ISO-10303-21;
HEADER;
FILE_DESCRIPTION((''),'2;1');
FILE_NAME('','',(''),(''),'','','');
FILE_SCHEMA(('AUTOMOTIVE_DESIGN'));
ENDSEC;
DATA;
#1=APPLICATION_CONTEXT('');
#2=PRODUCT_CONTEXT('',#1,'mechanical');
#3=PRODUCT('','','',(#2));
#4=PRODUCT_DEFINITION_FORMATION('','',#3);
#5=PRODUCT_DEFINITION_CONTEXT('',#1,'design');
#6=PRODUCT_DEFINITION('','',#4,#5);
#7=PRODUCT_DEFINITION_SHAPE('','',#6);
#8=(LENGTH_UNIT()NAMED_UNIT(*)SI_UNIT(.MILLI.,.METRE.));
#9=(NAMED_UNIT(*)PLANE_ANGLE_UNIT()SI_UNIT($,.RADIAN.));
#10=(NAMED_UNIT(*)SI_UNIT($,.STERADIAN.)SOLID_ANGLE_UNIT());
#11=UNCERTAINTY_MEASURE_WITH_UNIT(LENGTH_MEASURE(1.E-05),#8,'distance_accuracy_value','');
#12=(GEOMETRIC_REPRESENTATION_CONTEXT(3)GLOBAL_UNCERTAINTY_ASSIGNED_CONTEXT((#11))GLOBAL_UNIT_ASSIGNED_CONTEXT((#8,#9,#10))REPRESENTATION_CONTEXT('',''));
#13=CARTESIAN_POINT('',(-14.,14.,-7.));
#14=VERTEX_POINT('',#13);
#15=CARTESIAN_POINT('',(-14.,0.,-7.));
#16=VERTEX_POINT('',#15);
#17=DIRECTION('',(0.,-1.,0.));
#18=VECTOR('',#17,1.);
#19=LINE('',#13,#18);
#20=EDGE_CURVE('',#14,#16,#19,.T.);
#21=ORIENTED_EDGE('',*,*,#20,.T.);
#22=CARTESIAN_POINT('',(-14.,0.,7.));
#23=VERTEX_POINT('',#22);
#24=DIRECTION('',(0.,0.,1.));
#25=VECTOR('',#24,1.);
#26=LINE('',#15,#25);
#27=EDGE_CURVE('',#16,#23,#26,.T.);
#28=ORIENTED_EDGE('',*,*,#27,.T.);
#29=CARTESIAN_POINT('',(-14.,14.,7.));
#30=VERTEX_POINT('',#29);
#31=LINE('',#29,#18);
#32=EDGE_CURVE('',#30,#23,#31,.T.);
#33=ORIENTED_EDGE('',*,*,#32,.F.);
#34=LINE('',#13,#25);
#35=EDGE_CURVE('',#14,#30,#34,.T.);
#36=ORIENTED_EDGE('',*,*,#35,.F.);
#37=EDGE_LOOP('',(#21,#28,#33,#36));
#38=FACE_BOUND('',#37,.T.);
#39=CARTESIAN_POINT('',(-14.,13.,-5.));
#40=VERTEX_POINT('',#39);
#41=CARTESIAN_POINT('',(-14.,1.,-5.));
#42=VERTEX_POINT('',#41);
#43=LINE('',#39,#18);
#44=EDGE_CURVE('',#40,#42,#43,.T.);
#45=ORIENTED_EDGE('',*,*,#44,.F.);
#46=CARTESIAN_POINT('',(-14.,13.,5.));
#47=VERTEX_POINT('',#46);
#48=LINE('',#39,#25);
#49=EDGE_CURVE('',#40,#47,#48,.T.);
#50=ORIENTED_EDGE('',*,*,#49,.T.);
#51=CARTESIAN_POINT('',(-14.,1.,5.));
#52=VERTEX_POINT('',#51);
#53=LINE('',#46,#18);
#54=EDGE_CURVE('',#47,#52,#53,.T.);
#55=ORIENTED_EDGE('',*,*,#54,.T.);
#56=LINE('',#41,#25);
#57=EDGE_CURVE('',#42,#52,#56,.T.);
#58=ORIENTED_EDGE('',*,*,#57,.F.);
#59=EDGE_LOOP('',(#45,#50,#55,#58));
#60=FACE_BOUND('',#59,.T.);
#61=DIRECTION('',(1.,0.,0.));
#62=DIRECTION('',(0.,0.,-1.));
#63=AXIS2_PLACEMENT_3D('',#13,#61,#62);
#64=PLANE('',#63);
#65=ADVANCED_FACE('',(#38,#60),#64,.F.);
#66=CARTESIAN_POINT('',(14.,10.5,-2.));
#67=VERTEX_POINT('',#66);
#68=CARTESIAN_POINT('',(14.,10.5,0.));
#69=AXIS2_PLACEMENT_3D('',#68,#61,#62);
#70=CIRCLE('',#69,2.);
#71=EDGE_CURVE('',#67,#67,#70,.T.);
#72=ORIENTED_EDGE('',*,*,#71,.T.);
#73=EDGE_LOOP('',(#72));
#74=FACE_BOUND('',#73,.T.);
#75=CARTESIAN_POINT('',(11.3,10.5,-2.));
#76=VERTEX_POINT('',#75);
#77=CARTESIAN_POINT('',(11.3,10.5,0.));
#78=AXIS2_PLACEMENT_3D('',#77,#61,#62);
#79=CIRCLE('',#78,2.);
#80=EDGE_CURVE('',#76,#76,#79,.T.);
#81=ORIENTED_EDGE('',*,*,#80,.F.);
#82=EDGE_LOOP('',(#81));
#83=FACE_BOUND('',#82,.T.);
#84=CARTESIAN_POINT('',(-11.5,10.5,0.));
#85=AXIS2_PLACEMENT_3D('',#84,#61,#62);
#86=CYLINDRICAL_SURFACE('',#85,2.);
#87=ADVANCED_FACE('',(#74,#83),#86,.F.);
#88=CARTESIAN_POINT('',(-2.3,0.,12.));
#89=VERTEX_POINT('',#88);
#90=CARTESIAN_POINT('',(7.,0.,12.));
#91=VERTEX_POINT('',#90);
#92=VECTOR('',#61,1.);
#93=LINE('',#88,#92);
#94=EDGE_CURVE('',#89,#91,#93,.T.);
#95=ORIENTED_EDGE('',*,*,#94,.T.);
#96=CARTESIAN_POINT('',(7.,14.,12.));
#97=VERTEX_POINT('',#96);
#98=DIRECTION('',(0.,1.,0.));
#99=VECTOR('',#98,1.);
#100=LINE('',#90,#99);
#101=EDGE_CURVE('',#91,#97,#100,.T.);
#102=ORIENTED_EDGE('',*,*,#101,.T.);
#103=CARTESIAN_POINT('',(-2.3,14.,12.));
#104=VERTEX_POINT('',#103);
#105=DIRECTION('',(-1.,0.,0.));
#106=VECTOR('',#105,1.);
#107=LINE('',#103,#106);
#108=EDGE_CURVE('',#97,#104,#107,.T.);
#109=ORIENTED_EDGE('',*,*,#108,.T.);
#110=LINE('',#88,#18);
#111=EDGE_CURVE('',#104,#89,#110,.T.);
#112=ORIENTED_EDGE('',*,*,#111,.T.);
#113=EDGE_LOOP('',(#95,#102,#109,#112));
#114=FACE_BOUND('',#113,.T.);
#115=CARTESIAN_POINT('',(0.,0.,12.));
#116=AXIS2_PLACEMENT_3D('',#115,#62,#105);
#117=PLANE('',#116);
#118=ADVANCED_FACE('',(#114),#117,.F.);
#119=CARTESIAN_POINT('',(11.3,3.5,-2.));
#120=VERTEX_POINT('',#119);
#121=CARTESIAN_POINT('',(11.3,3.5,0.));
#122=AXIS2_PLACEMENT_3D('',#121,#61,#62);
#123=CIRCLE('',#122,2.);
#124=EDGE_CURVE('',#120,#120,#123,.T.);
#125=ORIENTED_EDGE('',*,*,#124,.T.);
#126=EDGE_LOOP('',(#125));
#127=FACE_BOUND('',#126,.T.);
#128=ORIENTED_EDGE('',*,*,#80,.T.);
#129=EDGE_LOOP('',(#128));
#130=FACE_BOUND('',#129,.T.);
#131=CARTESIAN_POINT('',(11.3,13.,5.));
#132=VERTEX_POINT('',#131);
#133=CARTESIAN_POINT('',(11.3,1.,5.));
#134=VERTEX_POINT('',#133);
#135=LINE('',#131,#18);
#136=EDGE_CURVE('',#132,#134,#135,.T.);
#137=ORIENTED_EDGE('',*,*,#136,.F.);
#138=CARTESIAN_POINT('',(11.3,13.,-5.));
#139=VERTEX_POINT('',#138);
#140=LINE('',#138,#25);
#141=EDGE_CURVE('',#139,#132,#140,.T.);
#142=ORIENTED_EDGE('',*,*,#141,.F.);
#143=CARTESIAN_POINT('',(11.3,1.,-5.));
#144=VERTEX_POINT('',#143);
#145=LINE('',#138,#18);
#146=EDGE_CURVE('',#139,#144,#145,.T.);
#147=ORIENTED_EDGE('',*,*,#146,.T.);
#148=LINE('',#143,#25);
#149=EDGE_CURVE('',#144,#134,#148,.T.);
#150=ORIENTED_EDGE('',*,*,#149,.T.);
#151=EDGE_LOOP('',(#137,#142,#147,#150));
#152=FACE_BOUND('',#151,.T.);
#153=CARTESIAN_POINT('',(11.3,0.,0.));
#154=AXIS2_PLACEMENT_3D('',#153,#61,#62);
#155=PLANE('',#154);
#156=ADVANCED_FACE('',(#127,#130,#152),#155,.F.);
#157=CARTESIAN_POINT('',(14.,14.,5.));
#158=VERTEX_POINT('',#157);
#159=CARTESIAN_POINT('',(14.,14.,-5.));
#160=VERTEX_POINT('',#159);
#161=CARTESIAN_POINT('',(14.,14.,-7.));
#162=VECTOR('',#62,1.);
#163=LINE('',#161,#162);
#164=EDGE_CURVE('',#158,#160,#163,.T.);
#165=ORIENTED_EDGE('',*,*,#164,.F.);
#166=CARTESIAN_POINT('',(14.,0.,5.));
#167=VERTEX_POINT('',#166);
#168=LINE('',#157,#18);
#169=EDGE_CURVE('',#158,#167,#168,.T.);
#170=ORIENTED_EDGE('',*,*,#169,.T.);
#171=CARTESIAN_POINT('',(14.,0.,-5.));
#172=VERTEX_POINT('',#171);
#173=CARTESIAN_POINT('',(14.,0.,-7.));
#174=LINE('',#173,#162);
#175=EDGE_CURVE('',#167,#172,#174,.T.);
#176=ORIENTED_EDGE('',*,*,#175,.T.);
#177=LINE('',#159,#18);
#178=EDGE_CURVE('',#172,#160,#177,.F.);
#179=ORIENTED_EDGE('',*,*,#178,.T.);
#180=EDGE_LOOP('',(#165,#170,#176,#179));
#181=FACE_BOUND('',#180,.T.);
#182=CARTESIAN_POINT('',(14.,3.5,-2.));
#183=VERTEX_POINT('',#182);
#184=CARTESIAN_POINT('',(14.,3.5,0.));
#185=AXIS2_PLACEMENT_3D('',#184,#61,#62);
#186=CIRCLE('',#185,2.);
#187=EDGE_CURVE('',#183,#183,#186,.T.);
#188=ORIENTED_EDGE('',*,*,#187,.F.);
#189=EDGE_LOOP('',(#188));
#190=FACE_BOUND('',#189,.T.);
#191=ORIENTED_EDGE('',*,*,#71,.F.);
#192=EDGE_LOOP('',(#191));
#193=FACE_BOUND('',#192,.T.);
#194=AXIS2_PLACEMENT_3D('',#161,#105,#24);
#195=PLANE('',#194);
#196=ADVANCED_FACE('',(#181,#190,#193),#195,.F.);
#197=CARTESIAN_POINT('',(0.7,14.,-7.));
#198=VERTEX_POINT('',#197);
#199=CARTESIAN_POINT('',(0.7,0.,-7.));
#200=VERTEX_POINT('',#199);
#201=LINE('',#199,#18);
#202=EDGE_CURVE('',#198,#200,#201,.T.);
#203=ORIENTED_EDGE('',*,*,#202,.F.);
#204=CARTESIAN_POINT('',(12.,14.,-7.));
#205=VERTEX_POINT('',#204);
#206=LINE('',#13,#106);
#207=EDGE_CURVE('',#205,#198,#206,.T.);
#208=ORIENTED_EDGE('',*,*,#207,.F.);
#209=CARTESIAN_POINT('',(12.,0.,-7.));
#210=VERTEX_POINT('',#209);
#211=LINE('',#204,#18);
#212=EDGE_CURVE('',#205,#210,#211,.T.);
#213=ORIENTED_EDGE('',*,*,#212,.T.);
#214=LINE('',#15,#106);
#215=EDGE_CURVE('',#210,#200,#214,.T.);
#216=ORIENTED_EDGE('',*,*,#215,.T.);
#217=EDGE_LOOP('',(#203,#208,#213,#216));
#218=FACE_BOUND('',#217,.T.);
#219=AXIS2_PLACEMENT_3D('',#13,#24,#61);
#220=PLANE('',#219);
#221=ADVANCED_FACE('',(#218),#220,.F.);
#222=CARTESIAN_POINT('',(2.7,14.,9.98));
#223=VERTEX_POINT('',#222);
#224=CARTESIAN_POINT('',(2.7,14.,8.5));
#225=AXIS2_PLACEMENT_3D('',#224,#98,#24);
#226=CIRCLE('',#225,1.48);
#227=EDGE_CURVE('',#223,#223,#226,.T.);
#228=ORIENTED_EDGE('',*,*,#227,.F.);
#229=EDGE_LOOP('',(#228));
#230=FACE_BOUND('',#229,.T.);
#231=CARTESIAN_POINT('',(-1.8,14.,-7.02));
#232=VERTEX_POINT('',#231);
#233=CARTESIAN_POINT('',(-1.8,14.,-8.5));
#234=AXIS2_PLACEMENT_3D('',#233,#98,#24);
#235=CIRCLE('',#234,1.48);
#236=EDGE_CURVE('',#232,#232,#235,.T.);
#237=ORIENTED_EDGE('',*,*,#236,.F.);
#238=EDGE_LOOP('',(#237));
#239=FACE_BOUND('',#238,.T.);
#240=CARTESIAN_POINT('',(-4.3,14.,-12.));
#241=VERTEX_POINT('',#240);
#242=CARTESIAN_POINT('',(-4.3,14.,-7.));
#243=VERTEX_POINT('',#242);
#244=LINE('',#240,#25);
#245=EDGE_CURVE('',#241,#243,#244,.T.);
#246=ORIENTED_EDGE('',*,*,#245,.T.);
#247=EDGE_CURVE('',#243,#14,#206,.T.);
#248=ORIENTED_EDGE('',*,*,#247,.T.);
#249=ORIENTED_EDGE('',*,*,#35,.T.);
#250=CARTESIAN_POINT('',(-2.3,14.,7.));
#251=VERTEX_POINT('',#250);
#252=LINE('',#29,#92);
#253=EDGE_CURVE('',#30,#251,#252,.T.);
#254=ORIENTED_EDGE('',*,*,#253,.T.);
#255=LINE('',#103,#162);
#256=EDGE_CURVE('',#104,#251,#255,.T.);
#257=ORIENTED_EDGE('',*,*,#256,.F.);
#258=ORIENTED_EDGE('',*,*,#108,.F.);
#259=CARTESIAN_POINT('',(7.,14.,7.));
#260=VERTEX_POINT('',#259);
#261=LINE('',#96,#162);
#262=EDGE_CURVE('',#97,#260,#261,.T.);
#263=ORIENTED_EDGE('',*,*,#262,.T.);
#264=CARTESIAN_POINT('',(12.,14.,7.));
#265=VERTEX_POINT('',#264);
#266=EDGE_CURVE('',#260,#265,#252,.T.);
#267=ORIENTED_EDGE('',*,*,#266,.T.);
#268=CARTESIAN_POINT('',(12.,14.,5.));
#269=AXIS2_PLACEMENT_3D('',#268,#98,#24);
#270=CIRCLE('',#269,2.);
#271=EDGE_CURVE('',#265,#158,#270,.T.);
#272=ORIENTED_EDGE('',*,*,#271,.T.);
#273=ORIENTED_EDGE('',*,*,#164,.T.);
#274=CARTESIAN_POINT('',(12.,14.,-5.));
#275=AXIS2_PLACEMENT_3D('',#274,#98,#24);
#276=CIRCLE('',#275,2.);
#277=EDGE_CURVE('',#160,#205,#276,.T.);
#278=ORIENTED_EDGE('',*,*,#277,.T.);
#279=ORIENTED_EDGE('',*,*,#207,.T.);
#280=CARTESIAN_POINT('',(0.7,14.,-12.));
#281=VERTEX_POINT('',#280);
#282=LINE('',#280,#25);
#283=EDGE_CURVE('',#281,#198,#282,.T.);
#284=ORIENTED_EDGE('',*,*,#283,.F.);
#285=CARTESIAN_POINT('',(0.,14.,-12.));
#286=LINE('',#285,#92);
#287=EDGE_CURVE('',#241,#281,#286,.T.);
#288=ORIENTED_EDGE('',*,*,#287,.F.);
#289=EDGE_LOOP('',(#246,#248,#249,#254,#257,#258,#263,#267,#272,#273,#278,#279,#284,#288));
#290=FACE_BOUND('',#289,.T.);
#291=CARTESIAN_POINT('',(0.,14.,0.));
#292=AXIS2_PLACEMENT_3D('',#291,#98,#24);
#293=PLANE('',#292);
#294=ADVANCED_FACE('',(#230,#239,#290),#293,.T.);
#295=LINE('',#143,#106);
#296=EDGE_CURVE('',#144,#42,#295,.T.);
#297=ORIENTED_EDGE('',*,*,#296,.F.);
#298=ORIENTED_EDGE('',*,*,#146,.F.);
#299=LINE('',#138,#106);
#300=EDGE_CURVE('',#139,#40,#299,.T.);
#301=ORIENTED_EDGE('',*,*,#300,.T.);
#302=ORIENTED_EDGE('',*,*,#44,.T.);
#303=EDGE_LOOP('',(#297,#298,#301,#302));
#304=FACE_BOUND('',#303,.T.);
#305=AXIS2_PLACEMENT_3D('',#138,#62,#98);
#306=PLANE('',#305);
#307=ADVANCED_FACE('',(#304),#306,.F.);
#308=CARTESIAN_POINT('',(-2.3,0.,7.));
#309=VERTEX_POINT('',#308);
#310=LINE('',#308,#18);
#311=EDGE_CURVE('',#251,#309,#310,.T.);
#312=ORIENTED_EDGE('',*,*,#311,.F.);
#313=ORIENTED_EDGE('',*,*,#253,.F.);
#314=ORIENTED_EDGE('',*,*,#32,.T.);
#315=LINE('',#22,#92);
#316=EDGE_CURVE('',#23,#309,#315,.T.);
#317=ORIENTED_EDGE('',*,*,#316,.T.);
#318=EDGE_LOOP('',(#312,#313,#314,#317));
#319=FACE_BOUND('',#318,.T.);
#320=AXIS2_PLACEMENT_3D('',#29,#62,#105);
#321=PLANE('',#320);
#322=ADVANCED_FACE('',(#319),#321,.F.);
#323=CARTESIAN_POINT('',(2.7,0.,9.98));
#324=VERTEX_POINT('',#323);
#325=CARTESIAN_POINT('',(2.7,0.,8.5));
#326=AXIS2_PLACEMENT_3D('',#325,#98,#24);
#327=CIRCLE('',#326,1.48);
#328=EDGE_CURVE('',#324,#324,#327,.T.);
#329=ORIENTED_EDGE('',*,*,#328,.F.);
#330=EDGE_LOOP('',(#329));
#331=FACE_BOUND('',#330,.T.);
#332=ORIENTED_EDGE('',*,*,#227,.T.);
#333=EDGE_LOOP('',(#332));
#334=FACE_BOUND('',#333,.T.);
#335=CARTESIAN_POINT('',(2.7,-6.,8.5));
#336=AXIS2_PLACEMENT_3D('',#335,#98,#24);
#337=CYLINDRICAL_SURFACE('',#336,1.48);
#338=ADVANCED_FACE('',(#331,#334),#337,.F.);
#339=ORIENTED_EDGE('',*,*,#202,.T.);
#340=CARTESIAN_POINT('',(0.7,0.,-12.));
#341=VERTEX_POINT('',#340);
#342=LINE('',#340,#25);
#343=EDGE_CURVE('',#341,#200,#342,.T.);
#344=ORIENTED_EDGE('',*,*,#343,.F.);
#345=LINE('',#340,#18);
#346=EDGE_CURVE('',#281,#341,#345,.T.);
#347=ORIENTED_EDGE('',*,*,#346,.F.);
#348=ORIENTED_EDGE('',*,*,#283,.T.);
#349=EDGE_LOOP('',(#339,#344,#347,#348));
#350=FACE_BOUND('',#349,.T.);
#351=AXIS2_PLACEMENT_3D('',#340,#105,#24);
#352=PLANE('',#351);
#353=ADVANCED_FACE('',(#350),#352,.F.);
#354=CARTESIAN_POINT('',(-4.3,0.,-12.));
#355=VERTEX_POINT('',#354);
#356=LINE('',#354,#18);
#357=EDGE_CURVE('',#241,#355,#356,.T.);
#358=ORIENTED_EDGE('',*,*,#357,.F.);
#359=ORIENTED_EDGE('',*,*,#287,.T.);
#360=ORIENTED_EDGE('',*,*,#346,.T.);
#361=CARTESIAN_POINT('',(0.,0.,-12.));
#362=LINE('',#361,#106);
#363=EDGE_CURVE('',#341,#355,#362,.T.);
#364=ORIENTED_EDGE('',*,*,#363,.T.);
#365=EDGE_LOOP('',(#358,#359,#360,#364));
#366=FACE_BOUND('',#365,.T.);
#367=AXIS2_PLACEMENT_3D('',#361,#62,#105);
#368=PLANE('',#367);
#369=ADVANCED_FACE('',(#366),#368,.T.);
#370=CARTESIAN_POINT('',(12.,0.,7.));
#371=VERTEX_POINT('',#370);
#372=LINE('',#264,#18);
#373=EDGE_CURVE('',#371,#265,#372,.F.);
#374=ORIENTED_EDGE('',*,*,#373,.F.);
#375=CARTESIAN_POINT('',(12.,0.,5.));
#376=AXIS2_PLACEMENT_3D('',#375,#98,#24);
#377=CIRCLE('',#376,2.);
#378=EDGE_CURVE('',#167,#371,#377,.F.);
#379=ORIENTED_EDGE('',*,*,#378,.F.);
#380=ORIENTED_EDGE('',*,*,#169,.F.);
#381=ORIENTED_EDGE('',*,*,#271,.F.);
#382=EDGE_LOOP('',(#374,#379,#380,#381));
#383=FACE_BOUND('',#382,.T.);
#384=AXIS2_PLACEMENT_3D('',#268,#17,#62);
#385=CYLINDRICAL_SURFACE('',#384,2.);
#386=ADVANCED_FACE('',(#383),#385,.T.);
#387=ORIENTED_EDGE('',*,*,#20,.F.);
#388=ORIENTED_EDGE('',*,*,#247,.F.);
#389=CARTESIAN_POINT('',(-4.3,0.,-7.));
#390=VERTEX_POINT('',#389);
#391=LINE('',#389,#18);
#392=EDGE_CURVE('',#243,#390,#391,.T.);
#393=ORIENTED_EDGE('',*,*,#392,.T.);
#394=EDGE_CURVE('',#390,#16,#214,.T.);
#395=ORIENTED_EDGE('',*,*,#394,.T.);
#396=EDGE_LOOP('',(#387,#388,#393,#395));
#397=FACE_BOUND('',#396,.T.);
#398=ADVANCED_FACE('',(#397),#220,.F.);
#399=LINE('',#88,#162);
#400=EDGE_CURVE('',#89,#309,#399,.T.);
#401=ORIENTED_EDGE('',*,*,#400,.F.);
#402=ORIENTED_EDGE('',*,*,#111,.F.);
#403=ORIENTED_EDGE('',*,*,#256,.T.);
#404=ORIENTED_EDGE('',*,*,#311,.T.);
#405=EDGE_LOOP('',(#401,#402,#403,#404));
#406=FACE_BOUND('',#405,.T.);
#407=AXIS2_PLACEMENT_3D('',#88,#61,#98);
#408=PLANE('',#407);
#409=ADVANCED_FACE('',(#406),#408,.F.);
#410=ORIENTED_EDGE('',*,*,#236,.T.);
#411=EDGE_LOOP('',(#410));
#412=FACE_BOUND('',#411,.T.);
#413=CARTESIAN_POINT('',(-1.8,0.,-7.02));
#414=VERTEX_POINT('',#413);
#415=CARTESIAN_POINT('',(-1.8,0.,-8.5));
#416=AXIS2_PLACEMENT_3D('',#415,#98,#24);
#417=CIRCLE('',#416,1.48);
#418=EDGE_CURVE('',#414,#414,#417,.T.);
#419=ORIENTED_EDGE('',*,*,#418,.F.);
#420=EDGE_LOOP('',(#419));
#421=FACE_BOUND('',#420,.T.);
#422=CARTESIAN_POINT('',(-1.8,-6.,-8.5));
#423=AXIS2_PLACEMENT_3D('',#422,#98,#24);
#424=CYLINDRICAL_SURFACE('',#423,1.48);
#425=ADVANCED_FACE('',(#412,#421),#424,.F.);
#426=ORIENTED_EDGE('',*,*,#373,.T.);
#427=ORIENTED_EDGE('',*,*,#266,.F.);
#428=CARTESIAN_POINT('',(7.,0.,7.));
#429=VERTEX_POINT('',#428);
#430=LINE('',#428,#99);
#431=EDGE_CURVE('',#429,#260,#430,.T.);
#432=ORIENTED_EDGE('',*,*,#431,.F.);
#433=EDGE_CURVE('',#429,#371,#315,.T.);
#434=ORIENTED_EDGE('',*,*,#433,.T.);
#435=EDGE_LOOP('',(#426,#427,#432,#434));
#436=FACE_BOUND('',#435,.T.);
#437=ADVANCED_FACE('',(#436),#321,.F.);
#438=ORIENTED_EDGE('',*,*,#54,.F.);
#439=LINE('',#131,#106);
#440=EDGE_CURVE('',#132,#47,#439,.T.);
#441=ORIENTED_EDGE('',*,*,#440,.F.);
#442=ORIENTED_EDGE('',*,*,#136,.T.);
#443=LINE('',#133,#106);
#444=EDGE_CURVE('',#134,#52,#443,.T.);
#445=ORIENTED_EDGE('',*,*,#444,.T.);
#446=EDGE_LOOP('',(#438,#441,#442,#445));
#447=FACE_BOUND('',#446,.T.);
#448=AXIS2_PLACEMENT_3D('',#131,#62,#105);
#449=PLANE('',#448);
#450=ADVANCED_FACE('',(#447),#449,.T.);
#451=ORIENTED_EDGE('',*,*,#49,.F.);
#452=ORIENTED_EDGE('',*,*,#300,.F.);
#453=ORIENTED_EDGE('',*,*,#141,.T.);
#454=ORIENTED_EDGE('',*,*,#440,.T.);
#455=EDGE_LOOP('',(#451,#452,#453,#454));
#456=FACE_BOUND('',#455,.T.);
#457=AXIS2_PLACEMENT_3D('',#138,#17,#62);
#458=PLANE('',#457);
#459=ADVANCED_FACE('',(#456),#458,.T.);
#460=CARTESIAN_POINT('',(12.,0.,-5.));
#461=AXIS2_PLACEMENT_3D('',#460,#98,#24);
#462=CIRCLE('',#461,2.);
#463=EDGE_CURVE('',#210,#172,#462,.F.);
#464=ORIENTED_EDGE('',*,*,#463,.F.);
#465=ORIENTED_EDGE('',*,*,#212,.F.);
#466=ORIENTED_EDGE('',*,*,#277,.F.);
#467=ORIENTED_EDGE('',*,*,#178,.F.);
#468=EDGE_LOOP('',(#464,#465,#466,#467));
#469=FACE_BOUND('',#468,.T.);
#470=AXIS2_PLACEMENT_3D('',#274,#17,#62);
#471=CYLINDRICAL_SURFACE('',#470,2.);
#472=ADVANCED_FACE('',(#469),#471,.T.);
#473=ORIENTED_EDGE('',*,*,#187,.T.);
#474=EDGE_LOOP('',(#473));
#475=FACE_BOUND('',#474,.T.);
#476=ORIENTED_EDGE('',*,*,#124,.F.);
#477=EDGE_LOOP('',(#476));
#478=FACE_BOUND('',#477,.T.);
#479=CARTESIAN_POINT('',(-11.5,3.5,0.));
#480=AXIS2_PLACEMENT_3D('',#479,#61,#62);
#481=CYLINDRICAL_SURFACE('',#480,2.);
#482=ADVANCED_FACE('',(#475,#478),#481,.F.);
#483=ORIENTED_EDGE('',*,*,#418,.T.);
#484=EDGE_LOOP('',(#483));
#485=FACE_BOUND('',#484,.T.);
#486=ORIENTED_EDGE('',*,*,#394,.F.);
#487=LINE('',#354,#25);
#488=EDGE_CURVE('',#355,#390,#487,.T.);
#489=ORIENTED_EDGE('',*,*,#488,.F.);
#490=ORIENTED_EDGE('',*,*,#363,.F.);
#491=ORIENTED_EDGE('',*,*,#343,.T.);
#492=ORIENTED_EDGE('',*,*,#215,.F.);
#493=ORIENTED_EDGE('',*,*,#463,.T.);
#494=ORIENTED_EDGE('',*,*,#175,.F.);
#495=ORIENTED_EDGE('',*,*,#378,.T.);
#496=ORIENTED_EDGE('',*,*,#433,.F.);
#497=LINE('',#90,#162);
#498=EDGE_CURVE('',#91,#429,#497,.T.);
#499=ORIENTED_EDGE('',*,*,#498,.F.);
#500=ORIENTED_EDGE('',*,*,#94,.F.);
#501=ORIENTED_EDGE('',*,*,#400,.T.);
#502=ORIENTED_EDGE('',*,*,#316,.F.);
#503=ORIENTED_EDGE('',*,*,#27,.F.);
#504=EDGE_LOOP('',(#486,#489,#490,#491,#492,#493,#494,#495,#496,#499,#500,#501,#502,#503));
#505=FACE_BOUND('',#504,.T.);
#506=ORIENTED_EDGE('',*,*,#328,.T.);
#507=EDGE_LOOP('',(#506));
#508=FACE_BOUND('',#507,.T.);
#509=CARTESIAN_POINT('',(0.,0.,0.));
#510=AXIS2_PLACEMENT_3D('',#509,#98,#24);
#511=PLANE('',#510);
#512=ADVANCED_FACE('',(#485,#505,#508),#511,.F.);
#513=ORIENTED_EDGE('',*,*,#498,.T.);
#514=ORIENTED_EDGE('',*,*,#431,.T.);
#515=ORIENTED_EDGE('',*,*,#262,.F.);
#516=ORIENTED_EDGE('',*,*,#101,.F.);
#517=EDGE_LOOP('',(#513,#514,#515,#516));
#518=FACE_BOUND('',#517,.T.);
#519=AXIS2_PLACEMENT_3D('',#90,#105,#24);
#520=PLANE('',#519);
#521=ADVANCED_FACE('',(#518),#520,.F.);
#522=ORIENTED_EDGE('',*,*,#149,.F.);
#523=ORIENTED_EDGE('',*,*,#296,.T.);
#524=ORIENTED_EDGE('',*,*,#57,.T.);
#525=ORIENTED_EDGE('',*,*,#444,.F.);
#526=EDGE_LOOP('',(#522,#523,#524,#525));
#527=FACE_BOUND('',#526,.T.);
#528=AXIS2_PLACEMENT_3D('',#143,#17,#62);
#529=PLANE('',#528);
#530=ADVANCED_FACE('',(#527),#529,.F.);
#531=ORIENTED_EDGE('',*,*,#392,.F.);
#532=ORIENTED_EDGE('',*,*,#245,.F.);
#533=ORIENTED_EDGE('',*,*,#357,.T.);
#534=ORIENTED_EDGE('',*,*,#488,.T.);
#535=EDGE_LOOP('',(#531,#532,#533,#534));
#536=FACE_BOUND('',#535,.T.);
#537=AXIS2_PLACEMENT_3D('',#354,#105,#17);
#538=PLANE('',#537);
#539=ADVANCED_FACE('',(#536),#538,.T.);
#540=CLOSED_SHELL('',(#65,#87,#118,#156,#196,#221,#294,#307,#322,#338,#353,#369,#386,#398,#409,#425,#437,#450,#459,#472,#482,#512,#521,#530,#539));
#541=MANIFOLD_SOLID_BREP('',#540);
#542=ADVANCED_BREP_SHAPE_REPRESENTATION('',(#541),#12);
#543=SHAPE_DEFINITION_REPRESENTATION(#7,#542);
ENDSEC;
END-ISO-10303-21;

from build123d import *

# Parameters (mm, degrees)
SKETCH_1_W          = 28
SKETCH_1_H          = 14
EXTRUDE_1_DEPTH     = 14
SKETCH_2_W          = 10
SKETCH_2_H          = 12
CUT_EXTRUDE_1_DEPTH = 25.3
SKETCH_3_R          = 2
CUT_EXTRUDE_2_DEPTH = 25.5
FILLET_4_R          = 2
SKETCH_4_W          = 9.3
SKETCH_4_H          = 14
EXTRUDE_2_DEPTH     = 5
SKETCH_5_W          = 5
SKETCH_5_H          = 14
EXTRUDE_3_DEPTH     = 5
SKETCH_6_R          = 1.48
CUT_EXTRUDE_3_DEPTH = 20


with BuildPart() as part:
    # 草图1 → 凸台-拉伸1 (new body)
    with BuildSketch(Plane(origin=(0, 0, 0), x_dir=(1, 0, 0), z_dir=(0, 1, 0))):
        Rectangle(SKETCH_1_W, SKETCH_1_H)
    extrude(amount=EXTRUDE_1_DEPTH)

    # 草图2 → 切除-拉伸1 (cut)
    with BuildSketch(Plane.ZY.offset(14)):
        with Locations((0, 7)):
            Rectangle(SKETCH_2_W, SKETCH_2_H)
    extrude(amount=-CUT_EXTRUDE_1_DEPTH, mode=Mode.SUBTRACT)

    # 草图3 → 切除-拉伸2 (cut)
    with BuildSketch(Plane(origin=(14, 0, 0), x_dir=(0, 0, -1), z_dir=(1, 0, 0))):
        with Locations((0, 10.5)):
            Circle(SKETCH_3_R)
        with Locations((0, 3.5)):
            Circle(SKETCH_3_R)
    extrude(amount=-CUT_EXTRUDE_2_DEPTH, mode=Mode.SUBTRACT)

    # 圆角4
    fillet_4_edges = [part.edges().sort_by_distance(p)[0] for p in [
        (14, 7, 7),
        (14, 7, -7),
    ]]
    fillet(fillet_4_edges, radius=FILLET_4_R)

    # 草图4 → 凸台-拉伸2 (add)
    with BuildSketch(Plane.XY.offset(7)):
        with Locations((2.35, 7)):
            Rectangle(SKETCH_4_W, SKETCH_4_H)
    extrude(amount=EXTRUDE_2_DEPTH)

    # 草图5 → 凸台-拉伸3 (add)
    with BuildSketch(Plane(origin=(0, 0, -7), x_dir=(-1, 0, 0), z_dir=(0, 0, -1))):
        with Locations((1.8, 7)):
            Rectangle(SKETCH_5_W, SKETCH_5_H)
    extrude(amount=EXTRUDE_3_DEPTH)

    # 草图6 → 切除-拉伸3 (cut)
    with BuildSketch(Plane(origin=(0, 14, 0), x_dir=(1, 0, 0), z_dir=(0, 1, 0))):
        with Locations(Location((2.7, -8.5, 0), (0, 0, 270))):
            Circle(SKETCH_6_R)
        with Locations(Location((-1.8, 8.5, 0), (0, 0, 270))):
            Circle(SKETCH_6_R)
    extrude(amount=-CUT_EXTRUDE_3_DEPTH, mode=Mode.SUBTRACT)


solid = part.part
